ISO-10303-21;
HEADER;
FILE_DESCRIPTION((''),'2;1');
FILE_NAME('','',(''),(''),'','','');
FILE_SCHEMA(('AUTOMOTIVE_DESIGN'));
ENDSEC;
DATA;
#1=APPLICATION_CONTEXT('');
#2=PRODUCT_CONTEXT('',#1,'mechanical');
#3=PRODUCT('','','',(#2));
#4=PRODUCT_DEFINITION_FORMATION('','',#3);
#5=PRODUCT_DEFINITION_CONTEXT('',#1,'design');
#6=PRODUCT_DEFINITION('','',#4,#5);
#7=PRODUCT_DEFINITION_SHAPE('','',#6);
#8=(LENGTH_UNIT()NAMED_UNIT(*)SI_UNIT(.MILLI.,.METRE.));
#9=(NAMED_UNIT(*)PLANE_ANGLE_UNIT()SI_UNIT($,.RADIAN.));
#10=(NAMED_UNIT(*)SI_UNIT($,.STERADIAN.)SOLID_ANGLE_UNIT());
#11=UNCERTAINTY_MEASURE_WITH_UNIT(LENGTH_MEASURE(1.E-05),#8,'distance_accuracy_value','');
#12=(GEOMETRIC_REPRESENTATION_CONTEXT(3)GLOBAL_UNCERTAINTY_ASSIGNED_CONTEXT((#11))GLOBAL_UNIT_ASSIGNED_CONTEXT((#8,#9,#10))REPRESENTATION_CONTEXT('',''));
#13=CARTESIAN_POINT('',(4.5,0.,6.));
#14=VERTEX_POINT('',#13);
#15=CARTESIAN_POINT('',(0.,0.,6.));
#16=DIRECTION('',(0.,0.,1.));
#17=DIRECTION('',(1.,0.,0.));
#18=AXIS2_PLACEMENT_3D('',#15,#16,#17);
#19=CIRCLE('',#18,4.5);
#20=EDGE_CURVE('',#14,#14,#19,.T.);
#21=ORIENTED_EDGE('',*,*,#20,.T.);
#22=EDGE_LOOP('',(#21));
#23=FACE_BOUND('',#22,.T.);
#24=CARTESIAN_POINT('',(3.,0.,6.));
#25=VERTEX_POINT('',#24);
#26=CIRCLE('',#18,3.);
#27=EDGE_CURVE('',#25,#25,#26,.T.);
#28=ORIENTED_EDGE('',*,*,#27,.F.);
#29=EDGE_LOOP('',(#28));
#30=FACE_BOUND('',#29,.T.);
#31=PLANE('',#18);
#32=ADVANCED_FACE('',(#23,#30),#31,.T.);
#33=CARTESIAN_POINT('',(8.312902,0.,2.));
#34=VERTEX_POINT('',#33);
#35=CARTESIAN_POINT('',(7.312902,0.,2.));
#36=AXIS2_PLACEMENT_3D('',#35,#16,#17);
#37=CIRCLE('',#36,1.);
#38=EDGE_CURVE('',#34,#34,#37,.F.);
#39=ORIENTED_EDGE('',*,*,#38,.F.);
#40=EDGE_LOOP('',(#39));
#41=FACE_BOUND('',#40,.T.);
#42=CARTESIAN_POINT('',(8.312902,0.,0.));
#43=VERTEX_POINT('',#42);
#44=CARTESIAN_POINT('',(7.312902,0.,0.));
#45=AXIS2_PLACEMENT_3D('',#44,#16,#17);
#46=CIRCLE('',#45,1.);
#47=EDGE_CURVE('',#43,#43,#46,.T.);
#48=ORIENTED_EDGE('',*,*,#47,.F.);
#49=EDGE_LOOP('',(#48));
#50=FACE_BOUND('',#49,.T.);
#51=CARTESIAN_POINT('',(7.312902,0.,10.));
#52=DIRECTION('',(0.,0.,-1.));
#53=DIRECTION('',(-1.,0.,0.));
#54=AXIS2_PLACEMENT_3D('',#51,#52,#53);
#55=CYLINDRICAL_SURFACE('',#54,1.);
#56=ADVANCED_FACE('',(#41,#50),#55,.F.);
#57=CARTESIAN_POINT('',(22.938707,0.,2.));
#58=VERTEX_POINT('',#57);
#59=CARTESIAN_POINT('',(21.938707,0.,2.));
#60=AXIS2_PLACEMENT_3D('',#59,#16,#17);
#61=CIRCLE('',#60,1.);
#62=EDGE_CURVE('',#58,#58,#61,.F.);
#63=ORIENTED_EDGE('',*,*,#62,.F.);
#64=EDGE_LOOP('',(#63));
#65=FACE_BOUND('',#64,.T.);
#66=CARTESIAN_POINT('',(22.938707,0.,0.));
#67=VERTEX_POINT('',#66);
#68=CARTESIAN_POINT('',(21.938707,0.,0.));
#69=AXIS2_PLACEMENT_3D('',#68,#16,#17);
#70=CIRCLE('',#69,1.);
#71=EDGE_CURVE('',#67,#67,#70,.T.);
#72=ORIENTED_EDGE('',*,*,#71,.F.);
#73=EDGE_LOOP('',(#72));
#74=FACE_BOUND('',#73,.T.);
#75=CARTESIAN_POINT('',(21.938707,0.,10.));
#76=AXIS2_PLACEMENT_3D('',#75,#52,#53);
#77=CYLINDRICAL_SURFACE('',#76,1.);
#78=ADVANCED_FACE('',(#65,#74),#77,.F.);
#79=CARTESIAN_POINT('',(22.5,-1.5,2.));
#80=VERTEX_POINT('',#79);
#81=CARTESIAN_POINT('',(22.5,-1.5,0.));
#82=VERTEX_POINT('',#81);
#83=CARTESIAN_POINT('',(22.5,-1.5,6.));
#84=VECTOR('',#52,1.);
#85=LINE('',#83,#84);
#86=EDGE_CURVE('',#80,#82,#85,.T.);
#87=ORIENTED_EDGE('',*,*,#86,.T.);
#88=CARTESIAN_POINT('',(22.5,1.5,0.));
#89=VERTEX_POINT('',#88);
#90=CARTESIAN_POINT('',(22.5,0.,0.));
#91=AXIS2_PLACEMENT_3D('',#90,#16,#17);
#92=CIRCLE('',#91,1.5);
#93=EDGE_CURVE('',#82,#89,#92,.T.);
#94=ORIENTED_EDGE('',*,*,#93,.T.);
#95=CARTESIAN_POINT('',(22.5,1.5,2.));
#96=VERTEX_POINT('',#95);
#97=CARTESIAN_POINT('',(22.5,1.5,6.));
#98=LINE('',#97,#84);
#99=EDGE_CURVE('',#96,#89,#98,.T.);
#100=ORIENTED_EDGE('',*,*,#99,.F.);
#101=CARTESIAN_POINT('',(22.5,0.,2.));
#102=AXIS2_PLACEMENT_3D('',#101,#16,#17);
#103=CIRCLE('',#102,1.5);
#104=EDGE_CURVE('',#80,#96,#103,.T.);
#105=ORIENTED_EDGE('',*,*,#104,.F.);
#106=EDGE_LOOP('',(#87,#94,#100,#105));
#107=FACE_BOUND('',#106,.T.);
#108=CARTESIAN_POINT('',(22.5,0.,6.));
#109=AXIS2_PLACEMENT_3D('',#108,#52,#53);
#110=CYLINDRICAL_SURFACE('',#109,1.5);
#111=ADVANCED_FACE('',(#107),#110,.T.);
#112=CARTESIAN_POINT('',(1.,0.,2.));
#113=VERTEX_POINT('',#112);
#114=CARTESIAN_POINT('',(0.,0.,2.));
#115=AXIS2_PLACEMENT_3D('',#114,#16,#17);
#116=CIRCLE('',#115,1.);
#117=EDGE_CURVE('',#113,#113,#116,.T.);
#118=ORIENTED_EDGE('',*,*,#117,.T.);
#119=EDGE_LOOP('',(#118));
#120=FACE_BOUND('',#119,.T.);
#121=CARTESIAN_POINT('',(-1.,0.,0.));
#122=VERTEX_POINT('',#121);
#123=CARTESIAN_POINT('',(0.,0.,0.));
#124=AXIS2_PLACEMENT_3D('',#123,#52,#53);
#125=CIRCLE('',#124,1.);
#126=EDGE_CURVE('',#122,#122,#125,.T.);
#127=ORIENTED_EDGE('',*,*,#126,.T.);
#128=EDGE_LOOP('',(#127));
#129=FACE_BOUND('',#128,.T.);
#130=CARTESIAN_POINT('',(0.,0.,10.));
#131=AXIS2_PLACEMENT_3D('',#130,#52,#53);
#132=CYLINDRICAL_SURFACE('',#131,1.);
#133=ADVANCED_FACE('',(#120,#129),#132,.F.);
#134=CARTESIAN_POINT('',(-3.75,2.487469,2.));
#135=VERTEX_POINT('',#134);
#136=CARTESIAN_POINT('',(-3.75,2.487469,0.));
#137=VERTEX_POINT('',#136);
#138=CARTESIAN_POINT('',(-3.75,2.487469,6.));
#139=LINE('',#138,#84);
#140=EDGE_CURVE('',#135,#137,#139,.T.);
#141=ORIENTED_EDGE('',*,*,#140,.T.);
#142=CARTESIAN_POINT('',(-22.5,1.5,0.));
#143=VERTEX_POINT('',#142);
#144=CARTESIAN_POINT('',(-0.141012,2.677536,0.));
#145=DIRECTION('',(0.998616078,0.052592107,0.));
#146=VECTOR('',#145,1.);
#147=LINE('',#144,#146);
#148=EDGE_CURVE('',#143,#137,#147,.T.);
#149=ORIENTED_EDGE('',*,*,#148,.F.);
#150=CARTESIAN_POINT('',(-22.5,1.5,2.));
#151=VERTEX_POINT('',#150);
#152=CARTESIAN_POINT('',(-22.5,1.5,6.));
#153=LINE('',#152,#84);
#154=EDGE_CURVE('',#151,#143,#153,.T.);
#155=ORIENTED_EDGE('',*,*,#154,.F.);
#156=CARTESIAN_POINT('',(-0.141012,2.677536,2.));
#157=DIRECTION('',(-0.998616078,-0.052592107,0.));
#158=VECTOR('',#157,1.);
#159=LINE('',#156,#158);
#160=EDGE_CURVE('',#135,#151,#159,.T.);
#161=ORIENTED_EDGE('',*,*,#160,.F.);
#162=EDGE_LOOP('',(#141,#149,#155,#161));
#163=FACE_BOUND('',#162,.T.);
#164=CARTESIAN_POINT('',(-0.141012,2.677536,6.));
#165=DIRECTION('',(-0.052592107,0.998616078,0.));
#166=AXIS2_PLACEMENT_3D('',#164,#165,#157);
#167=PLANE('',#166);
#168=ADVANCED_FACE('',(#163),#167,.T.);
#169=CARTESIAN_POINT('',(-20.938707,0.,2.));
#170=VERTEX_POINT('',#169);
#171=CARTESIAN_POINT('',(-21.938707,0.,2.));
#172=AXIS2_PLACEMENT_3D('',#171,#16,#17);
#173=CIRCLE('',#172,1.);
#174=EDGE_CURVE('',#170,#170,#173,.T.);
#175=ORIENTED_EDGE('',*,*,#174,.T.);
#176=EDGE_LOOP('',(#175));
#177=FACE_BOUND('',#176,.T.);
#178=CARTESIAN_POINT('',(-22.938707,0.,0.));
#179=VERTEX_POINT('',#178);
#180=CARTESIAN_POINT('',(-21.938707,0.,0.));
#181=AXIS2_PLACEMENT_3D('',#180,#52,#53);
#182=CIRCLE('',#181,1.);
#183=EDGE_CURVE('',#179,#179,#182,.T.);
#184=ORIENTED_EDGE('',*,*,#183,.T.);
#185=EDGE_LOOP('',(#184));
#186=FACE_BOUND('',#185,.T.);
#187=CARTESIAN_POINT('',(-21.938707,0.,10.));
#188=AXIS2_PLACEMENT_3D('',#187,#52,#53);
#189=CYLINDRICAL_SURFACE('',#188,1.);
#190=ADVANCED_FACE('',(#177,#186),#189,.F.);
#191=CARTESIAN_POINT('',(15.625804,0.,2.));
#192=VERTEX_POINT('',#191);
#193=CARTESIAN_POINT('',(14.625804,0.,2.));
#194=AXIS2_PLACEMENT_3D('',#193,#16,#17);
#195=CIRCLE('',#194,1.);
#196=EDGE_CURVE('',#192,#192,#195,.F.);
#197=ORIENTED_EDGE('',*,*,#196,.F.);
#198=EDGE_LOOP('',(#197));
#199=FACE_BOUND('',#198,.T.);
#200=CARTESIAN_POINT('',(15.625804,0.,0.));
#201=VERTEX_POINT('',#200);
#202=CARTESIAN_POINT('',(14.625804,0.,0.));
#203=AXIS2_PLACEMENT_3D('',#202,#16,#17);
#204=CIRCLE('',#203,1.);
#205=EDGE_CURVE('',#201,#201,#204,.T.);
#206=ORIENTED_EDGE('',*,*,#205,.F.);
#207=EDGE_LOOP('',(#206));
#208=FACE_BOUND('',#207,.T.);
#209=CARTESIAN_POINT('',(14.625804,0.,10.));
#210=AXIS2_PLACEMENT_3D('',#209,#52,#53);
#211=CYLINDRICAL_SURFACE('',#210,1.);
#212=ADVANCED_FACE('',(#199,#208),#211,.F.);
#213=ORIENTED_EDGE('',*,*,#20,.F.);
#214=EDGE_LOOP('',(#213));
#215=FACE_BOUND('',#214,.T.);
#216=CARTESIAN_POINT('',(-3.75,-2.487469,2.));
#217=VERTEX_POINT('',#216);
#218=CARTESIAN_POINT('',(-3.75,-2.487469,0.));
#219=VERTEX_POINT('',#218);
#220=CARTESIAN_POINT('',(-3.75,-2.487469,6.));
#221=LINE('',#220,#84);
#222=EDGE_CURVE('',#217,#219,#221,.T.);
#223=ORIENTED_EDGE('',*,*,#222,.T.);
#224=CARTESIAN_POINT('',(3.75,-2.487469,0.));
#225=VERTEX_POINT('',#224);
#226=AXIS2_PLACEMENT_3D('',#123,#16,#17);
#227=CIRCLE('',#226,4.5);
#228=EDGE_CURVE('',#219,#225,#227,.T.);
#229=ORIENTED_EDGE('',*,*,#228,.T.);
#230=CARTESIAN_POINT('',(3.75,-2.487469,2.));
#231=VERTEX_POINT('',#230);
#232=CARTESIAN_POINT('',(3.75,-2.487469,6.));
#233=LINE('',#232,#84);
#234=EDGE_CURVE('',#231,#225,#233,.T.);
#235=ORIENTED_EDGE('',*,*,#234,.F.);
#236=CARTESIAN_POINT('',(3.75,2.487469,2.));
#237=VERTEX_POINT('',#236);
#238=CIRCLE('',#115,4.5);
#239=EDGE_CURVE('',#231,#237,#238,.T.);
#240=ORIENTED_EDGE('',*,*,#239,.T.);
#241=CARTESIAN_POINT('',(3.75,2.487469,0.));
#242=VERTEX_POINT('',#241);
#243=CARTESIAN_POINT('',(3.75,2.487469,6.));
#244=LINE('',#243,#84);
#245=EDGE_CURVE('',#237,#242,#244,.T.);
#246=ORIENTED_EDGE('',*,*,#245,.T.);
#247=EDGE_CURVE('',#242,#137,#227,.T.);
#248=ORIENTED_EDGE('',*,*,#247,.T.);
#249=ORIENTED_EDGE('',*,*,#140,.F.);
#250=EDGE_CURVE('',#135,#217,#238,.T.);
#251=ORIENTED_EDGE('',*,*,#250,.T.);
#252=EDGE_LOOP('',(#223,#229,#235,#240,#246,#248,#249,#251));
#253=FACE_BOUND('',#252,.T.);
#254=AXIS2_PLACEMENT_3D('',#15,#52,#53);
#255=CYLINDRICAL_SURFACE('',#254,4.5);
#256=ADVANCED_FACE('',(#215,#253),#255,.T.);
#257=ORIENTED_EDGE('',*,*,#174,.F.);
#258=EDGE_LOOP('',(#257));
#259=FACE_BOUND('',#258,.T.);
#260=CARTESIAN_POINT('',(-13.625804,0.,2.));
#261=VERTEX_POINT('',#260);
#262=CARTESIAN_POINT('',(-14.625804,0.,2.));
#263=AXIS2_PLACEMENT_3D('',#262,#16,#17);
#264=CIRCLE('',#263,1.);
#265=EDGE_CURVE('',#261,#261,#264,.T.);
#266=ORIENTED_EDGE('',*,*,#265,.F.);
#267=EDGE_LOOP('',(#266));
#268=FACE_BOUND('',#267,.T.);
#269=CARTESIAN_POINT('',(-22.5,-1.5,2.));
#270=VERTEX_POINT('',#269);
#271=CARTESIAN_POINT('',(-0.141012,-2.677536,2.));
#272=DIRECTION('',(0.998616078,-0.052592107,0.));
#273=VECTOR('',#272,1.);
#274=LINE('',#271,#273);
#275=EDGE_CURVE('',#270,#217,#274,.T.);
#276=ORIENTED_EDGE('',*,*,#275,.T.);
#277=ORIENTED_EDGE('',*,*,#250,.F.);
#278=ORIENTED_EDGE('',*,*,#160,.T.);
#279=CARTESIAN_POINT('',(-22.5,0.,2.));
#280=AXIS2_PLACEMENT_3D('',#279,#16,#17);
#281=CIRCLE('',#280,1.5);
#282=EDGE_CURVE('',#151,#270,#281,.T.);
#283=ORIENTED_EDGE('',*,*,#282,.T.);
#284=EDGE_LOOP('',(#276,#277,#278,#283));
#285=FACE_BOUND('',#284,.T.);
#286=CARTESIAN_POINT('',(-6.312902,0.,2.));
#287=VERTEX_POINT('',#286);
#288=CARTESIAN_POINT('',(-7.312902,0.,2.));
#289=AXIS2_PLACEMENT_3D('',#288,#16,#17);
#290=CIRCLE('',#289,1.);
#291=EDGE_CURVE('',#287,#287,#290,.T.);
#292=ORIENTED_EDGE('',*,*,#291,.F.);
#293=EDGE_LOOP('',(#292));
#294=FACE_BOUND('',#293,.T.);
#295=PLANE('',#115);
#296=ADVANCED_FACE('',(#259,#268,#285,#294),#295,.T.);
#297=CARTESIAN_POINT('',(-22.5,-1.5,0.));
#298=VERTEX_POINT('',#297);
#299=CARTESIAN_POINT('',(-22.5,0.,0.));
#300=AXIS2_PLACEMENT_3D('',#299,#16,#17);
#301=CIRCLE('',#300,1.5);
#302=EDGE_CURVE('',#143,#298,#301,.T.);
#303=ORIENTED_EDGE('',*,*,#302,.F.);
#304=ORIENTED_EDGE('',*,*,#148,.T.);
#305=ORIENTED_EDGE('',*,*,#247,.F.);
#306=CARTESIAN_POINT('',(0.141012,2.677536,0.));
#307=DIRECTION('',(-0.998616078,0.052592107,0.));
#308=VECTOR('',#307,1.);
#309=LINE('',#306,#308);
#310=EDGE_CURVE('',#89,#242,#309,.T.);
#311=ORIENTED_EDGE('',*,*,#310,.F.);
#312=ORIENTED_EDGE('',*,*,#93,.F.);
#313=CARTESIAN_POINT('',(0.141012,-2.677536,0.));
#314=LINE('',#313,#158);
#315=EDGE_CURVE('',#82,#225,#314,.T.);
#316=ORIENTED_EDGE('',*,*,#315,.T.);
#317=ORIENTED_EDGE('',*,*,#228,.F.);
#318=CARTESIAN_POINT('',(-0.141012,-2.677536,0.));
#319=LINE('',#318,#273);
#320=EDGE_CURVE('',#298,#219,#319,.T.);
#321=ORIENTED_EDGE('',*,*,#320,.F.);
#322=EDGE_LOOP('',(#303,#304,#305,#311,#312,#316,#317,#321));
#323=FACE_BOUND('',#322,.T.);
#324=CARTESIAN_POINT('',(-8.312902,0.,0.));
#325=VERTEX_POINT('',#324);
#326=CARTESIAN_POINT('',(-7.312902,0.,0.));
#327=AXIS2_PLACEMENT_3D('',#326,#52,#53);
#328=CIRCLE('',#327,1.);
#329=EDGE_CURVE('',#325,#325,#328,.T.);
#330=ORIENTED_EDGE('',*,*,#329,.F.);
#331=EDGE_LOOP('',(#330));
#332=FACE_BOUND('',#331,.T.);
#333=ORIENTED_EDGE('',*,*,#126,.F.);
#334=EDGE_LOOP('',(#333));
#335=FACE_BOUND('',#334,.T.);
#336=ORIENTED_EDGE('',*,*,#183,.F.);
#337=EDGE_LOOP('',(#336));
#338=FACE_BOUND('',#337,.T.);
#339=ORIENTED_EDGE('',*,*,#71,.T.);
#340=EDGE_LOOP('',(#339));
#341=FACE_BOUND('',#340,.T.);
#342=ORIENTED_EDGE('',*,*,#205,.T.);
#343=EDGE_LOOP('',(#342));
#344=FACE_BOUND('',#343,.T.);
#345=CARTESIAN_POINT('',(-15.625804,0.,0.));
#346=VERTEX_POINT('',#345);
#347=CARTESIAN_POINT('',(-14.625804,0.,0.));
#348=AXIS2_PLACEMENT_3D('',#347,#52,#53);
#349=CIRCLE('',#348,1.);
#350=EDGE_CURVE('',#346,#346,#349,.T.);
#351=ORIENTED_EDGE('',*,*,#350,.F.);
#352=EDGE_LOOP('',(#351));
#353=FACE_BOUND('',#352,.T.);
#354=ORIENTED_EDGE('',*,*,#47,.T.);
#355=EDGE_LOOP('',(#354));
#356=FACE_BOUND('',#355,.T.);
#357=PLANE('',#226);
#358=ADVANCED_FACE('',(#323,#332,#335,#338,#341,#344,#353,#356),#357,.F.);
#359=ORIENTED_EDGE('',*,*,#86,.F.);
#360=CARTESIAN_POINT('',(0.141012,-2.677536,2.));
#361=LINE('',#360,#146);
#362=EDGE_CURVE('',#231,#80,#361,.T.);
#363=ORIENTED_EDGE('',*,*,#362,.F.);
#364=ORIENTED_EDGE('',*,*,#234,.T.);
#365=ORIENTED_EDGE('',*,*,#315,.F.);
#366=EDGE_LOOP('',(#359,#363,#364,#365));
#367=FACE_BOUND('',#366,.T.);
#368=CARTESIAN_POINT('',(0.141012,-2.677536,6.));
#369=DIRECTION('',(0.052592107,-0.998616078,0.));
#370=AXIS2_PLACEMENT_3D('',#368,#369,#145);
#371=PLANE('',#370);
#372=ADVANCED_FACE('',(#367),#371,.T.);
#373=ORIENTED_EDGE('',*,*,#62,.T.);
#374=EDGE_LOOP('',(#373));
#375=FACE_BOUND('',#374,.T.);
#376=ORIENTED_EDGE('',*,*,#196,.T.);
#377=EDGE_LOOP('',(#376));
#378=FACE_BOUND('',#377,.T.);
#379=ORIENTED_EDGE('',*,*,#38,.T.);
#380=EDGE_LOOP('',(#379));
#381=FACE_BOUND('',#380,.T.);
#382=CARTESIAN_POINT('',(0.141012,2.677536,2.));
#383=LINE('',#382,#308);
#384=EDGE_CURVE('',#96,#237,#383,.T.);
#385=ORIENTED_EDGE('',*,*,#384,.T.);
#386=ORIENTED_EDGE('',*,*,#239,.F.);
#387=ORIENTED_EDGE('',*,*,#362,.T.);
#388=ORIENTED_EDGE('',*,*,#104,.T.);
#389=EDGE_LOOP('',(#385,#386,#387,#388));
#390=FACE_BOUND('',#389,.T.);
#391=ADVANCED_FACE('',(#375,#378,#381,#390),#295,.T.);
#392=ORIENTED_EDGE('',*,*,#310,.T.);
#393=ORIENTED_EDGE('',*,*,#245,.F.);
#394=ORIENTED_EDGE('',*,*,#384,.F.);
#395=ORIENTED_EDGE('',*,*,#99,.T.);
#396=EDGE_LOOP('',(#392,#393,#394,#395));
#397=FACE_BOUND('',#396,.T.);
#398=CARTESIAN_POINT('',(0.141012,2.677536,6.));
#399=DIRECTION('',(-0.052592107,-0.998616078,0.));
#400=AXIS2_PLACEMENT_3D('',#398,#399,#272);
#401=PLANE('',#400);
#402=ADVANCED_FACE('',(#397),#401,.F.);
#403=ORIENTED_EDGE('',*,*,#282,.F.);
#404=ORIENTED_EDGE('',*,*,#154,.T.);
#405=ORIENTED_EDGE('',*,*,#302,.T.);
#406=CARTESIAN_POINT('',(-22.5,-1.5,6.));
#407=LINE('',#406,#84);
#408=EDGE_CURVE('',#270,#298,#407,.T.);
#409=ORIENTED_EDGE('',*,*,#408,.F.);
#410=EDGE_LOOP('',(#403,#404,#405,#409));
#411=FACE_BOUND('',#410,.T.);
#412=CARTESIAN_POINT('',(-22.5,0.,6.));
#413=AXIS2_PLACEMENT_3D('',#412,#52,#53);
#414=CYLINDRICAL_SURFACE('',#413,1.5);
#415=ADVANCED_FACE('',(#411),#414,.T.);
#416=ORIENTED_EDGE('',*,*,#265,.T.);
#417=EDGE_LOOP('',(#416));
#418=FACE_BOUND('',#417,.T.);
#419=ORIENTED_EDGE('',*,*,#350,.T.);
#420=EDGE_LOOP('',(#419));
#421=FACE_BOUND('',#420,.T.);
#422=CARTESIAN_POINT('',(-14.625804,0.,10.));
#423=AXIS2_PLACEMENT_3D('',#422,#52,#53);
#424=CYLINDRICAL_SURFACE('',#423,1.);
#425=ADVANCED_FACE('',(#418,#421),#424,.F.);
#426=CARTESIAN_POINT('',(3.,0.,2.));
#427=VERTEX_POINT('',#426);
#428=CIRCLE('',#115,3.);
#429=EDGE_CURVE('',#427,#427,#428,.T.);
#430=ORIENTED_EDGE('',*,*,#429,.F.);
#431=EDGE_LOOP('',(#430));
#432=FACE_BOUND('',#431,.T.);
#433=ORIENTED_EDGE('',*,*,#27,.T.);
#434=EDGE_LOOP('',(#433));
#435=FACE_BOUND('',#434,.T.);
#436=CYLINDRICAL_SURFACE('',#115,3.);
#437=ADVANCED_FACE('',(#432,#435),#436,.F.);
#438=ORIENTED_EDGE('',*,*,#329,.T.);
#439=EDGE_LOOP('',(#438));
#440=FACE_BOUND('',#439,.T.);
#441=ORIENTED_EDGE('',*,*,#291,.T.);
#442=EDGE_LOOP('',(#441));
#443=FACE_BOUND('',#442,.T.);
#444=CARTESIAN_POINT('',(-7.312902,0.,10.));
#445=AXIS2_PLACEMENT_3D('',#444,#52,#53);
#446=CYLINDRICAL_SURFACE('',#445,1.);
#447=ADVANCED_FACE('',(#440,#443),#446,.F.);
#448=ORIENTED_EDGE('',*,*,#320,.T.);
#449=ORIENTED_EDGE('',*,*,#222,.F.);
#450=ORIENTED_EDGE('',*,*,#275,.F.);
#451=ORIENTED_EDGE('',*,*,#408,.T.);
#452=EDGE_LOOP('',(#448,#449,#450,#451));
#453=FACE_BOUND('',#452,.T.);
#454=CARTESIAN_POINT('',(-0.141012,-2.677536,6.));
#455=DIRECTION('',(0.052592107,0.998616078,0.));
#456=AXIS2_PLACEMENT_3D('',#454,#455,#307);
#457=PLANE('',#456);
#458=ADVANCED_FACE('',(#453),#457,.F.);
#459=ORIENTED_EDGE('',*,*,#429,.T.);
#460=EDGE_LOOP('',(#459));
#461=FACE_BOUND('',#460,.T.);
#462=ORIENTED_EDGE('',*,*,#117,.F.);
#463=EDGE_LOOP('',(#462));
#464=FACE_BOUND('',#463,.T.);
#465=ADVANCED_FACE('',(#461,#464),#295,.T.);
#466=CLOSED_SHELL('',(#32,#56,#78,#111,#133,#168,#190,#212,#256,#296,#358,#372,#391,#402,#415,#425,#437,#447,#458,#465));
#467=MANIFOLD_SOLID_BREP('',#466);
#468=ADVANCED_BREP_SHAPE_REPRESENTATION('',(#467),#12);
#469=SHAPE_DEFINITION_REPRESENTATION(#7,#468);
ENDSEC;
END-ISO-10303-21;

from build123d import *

# Parameters (mm, degrees)
SKETCH1_R           = 1.5
SKETCH1_R_2         = 4.5
BOSS_EXTRUDE1_DEPTH = 6
CUT_EXTRUDE1_START  = -4
SKETCH3_R           = 3
CUT_EXTRUDE1_DEPTH  = 4
SKETCH4_R           = 1
CUT_EXTRUDE2_DEPTH  = 10


with BuildPart() as part:
    # Sketch1 → Boss-Extrude1 (new body)
    with BuildSketch(Plane.XY):
        with Locations((-22.5, 0)):
            Circle(SKETCH1_R)
        with BuildLine():
            Line((-3.75, 2.487468593), (-22.5, 1.5))
            ThreePointArc((-22.5, 1.5), (-21.439339828, 1.060660172), (-21, 0))
            ThreePointArc((-21, 0), (-21.439339828, -1.060660172), (-22.5, -1.5))
            Line((-22.5, -1.5), (-3.75, -2.487468593))
            ThreePointArc((-3.75, -2.487468593), (-4.5, 0), (-3.75, 2.487468593))
        make_face()
        Circle(SKETCH1_R_2)
        with BuildLine():
            ThreePointArc((22.5, -1.5), (21, 0), (22.5, 1.5))
            Line((22.5, 1.5), (3.75, 2.487468593))
            ThreePointArc((3.75, 2.487468593), (4.308421985, 1.299038106), (4.5, 0))
            ThreePointArc((4.5, 0), (4.308421985, -1.299038106), (3.75, -2.487468593))
            Line((3.75, -2.487468593), (22.5, -1.5))
        make_face()
        with Locations((22.5, 0)):
            Circle(SKETCH1_R)
    extrude(amount=BOSS_EXTRUDE1_DEPTH)

    # Sketch3 → Cut-Extrude1 (cut)
    with BuildSketch(Plane.XY.offset(6).offset(CUT_EXTRUDE1_START)):
        with BuildLine():
            ThreePointArc((-22.5, 1.5), (-24, 0), (-22.5, -1.5))
            Line((-22.5, -1.5), (-3.75, -2.487468593))
            ThreePointArc((-3.75, -2.487468593), (-4.5, 0), (-3.75, 2.487468593))
            Line((-3.75, 2.487468593), (-22.5, 1.5))
        make_face()
        with BuildLine():
            ThreePointArc((4.5, 0), (4.308421985, -1.299038106), (3.75, -2.487468593))
            Line((3.75, -2.487468593), (22.5, -1.5))
            ThreePointArc((22.5, -1.5), (24, 0), (22.5, 1.5))
            Line((22.5, 1.5), (3.75, 2.487468593))
            ThreePointArc((3.75, 2.487468593), (4.308421985, 1.299038106), (4.5, 0))
        make_face()
        Circle(SKETCH3_R)
    extrude(amount=CUT_EXTRUDE1_DEPTH, mode=Mode.SUBTRACT)

    # Sketch4 → Cut-Extrude2 (cut)
    with BuildSketch(Plane(origin=(0, 0, 0), x_dir=(-1, 0, 0), z_dir=(0, 0, -1))):
        Circle(SKETCH4_R)
        with Locations((7.312902248, 0)):
            Circle(SKETCH4_R)
        with Locations((14.625804497, 0)):
            Circle(SKETCH4_R)
        with Locations((21.938706745, 0)):
            Circle(SKETCH4_R)
    cut_extrude2 = extrude(amount=-CUT_EXTRUDE2_DEPTH, mode=Mode.SUBTRACT)

    # Mirror1: Cut-Extrude2 across plane
    add(cut_extrude2.mirror(Plane(origin=(0, 0, 0), x_dir=(0, 0, 1), z_dir=(1, 0, 0))), mode=Mode.SUBTRACT)


solid = part.part
